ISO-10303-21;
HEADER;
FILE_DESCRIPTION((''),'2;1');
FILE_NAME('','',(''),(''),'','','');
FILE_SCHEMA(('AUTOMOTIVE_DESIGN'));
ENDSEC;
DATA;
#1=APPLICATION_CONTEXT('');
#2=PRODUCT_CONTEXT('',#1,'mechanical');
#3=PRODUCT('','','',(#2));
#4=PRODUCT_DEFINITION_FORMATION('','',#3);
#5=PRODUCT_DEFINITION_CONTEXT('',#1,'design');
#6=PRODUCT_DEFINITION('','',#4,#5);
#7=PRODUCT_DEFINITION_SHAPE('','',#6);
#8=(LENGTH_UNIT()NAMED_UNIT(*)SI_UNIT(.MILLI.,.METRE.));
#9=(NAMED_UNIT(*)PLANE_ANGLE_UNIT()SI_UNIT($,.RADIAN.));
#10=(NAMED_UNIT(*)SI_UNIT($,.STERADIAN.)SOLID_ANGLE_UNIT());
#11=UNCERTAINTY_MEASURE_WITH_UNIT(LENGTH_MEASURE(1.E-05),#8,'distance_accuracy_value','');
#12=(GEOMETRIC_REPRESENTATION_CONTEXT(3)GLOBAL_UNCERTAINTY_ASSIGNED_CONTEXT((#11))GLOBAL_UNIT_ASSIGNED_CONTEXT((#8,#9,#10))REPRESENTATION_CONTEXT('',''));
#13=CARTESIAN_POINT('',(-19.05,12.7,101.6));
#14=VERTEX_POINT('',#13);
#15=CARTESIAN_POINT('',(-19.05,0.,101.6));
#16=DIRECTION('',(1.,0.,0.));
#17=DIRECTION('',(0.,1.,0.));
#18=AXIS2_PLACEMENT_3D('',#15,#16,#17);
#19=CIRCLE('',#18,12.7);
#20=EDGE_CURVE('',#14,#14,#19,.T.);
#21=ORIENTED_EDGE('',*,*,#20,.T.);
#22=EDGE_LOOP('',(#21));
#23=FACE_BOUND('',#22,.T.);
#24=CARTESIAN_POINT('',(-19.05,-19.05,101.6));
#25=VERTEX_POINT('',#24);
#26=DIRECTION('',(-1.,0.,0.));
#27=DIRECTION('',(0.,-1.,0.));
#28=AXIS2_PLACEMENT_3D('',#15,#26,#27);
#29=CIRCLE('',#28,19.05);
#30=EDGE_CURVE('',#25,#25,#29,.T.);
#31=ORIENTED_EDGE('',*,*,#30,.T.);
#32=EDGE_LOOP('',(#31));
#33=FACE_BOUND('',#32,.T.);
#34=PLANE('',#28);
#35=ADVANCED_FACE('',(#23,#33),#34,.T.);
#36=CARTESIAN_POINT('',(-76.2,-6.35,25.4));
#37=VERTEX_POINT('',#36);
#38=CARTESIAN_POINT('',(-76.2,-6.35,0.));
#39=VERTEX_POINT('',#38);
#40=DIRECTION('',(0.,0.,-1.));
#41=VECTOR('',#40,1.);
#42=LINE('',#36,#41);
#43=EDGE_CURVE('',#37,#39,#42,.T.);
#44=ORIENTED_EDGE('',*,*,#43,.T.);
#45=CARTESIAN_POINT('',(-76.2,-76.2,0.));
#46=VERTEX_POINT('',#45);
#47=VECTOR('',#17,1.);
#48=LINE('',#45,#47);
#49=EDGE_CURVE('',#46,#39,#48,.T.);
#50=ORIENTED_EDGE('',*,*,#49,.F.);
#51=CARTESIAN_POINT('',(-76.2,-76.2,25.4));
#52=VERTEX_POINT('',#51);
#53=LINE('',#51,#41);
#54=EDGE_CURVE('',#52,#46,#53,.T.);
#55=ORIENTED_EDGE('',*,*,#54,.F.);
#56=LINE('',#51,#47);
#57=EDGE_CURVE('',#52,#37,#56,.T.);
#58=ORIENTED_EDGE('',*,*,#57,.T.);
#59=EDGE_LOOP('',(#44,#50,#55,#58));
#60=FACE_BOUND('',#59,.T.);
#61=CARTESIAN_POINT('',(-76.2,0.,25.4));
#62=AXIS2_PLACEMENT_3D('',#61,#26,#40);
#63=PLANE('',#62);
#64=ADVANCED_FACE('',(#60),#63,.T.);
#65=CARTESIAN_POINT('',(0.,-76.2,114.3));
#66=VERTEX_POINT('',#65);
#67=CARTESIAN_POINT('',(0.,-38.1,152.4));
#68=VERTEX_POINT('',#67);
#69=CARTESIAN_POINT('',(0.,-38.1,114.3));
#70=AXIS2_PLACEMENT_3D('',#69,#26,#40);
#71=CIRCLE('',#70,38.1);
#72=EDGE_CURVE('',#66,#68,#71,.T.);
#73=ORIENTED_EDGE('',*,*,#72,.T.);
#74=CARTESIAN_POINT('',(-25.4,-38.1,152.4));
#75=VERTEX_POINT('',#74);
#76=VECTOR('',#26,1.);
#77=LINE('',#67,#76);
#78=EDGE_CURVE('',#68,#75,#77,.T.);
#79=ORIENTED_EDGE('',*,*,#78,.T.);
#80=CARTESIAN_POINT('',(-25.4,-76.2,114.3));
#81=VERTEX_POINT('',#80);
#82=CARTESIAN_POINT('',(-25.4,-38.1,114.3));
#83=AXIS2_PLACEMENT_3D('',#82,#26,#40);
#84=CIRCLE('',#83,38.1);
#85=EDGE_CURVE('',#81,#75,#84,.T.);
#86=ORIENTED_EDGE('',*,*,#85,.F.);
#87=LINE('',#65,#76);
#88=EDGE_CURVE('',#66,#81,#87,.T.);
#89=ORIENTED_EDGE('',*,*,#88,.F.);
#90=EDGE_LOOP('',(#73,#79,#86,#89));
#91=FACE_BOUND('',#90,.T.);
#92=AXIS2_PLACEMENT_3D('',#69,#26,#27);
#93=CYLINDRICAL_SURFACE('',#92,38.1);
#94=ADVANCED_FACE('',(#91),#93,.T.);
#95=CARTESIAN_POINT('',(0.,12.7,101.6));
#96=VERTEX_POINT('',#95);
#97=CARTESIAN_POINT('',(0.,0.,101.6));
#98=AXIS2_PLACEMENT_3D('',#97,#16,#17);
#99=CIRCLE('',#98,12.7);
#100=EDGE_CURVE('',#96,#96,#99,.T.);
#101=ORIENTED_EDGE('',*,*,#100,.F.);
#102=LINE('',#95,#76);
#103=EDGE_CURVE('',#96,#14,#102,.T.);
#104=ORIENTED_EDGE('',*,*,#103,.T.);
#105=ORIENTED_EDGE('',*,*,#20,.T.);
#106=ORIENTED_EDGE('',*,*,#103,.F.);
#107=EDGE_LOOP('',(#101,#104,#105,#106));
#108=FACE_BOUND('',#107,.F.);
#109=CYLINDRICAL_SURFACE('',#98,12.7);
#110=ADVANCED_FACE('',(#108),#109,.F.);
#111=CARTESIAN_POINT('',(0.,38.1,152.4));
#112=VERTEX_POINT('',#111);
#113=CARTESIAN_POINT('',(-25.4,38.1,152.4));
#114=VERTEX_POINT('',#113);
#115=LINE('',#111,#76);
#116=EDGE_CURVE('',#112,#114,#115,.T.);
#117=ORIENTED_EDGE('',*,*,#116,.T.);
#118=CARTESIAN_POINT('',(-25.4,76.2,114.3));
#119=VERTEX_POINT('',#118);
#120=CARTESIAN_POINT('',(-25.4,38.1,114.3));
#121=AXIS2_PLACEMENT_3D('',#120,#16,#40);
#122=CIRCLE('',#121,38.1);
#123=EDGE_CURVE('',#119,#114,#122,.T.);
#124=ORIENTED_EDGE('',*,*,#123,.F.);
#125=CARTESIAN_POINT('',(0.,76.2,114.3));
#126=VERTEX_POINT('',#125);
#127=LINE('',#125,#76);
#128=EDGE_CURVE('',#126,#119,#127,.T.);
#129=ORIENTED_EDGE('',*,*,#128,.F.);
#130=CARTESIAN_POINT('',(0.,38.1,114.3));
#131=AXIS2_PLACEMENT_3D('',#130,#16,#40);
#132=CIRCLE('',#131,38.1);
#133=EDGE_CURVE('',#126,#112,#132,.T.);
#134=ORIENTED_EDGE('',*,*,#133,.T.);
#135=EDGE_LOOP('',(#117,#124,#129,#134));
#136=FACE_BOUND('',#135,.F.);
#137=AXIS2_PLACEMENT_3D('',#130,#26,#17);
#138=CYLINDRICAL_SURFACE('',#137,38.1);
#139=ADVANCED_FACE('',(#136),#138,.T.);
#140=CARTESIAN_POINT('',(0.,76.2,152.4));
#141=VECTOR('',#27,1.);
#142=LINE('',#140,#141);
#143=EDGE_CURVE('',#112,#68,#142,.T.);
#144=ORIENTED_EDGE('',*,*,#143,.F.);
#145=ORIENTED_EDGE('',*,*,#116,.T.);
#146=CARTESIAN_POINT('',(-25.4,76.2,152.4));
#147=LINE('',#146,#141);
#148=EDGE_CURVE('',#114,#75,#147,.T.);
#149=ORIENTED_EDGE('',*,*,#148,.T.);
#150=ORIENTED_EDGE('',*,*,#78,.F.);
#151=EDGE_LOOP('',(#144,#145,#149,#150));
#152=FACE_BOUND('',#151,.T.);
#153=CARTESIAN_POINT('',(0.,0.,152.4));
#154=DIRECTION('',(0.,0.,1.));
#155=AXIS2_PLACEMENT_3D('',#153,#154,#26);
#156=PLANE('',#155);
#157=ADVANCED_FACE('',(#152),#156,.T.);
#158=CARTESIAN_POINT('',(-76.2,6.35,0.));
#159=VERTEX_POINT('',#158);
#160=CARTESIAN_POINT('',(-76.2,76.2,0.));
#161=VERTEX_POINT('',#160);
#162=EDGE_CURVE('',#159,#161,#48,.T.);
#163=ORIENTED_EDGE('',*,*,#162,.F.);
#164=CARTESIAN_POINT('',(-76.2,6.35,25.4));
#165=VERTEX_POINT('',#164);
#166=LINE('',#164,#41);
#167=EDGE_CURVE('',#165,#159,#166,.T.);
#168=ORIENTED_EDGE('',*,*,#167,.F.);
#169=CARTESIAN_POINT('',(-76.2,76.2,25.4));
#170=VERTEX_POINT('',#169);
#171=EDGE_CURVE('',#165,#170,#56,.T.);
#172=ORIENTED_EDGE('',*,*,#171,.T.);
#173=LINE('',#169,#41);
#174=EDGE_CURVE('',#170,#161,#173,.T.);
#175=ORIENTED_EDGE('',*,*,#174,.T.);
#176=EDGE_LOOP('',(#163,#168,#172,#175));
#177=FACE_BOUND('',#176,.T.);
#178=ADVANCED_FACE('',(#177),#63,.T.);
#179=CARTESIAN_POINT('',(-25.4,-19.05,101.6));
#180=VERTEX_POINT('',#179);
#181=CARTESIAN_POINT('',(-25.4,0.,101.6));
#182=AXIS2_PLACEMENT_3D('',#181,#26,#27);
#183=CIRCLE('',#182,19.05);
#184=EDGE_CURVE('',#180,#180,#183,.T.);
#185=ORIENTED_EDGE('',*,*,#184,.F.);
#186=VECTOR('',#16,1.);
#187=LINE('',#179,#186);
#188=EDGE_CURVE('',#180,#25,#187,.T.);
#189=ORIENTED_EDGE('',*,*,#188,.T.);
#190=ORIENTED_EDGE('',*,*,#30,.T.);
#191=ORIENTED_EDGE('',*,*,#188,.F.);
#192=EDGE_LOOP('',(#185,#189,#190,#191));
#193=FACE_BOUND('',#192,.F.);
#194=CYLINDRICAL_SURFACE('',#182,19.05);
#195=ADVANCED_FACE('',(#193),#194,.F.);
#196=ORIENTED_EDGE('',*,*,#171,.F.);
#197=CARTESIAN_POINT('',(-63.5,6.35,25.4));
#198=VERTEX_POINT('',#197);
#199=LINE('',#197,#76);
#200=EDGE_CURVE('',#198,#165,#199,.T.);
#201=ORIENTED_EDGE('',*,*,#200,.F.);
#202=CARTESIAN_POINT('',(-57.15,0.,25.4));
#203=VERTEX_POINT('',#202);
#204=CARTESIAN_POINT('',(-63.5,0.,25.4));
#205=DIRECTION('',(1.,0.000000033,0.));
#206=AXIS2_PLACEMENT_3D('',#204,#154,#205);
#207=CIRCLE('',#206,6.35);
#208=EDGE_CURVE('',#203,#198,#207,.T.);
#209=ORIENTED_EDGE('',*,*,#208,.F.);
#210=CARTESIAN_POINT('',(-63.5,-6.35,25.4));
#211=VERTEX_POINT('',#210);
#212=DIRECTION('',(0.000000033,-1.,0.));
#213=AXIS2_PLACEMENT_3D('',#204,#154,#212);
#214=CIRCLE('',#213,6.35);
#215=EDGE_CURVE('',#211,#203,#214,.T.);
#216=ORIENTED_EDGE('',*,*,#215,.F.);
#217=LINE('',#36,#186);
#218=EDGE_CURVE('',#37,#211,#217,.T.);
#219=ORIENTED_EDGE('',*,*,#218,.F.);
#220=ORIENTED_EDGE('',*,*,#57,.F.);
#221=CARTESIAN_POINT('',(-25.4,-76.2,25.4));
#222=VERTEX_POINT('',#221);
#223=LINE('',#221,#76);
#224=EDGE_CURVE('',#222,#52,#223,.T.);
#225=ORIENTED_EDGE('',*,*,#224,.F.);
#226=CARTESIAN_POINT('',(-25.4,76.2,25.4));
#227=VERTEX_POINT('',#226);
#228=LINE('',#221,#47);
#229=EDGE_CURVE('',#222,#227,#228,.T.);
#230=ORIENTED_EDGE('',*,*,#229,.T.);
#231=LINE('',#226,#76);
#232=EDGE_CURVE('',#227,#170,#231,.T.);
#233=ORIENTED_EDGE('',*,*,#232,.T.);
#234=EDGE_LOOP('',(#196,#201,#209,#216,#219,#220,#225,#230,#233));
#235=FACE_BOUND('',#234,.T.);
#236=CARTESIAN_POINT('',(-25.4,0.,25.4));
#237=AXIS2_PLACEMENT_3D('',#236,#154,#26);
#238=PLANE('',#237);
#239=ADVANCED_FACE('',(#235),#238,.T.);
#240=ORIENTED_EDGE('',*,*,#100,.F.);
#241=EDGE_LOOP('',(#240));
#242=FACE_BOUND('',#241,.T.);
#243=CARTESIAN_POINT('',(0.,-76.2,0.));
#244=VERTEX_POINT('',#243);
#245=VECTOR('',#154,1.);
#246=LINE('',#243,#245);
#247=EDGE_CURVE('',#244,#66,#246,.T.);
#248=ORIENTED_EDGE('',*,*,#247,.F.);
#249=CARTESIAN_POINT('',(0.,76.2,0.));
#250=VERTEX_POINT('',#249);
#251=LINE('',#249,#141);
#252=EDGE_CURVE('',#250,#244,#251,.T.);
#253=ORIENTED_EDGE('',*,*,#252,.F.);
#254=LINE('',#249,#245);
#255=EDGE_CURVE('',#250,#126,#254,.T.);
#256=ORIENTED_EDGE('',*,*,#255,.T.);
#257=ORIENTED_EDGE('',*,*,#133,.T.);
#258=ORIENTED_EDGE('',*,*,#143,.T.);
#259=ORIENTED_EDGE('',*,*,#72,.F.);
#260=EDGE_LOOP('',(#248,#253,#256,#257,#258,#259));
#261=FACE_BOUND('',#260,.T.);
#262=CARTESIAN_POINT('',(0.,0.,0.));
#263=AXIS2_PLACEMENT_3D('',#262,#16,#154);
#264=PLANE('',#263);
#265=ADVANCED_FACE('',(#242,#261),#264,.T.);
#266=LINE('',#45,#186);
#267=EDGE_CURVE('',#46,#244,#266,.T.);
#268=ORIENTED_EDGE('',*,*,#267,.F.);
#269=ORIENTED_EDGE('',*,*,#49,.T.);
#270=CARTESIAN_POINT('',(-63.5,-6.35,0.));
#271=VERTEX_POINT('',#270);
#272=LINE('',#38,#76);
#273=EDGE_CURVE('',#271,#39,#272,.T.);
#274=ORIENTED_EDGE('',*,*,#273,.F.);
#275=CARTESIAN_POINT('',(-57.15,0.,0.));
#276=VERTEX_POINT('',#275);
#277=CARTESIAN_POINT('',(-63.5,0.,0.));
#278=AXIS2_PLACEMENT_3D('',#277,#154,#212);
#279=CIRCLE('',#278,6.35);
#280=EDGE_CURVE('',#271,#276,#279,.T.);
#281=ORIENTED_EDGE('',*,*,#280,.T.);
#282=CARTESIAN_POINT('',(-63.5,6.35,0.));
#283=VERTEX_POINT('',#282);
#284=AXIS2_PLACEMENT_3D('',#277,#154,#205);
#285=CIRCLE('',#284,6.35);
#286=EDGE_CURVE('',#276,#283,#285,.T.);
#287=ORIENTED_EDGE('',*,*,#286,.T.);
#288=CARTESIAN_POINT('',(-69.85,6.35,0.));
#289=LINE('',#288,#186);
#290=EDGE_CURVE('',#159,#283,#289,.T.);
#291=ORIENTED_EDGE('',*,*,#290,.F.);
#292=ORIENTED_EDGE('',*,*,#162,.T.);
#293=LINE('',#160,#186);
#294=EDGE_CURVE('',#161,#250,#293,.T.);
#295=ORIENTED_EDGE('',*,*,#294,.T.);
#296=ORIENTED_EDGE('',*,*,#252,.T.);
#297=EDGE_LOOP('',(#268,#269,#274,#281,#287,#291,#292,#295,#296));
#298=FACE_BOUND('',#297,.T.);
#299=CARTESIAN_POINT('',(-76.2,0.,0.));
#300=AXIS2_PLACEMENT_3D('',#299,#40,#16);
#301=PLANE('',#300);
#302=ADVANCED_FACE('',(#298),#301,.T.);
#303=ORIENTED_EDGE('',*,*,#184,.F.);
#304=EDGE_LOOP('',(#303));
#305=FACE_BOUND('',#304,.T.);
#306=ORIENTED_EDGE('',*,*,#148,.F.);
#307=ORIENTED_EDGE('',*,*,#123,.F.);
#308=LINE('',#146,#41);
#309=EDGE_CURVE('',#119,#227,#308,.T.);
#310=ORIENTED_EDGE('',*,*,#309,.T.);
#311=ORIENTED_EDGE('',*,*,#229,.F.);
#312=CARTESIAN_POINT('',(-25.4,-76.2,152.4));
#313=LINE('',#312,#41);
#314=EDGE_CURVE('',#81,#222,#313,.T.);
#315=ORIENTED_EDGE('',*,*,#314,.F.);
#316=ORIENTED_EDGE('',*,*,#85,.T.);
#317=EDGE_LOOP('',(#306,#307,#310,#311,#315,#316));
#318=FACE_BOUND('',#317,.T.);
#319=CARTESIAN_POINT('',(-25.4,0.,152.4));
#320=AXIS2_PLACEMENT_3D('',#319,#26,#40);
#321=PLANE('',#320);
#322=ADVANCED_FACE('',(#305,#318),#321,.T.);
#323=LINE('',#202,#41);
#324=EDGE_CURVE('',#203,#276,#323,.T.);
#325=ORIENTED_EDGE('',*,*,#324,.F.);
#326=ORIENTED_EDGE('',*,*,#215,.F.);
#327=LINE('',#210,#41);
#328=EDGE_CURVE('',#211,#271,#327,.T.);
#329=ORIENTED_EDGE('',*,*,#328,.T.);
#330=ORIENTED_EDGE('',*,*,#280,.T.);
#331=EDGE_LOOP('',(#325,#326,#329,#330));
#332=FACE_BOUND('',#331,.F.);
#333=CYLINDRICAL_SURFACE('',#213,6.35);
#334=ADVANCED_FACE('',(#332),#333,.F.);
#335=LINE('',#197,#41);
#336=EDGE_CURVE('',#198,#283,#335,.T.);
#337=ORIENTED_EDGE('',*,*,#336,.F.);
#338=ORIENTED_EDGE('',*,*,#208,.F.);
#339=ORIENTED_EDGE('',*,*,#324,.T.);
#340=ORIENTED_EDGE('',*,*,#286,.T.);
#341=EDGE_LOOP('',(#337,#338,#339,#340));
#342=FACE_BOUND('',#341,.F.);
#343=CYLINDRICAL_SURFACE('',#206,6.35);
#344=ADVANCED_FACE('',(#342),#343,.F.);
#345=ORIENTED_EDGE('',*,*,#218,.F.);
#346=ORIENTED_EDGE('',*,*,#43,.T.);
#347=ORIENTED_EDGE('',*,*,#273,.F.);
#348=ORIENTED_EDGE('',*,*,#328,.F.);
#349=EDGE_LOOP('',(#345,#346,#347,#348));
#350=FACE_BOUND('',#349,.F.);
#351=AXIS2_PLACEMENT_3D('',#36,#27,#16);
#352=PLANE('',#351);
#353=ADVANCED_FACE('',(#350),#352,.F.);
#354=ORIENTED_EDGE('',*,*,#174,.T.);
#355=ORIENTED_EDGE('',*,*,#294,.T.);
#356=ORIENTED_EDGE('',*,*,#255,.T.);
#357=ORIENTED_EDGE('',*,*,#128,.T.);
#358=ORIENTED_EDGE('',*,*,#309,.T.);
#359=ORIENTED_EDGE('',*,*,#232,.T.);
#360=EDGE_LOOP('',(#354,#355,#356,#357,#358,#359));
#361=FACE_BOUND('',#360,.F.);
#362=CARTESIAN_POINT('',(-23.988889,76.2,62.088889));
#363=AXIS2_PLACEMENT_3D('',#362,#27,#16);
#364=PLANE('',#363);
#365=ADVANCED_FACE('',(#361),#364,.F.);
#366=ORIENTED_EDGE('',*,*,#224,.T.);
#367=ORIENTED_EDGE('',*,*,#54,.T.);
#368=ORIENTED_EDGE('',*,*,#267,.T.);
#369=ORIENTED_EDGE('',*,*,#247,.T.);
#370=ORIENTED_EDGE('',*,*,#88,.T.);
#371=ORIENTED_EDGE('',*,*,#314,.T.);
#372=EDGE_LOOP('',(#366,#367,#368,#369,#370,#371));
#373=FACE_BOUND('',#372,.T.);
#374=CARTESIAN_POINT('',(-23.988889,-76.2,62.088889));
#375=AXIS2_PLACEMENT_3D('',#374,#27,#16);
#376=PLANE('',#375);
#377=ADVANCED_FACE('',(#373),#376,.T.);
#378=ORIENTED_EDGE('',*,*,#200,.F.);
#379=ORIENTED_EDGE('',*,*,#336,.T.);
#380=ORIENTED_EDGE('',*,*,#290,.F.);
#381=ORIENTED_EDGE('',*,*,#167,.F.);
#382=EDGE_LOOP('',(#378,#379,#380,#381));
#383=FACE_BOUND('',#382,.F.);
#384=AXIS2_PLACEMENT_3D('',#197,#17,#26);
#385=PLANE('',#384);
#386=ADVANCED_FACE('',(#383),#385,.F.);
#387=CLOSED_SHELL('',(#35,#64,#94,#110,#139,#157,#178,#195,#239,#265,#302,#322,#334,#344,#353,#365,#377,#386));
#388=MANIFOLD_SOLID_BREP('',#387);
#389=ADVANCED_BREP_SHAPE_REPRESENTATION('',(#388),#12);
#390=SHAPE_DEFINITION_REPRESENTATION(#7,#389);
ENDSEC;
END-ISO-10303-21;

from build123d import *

# Parameters (mm, degrees)
F1_DEPTH = 76.2
F2_R     = 12.7
F3_DEPTH = 76.201
F5_DEPTH = 25.401
F6_R     = 38.1
F7_R     = 19.05
F8_DEPTH = 6.35


with BuildPart() as f1:
    # F0 (on Front) → F1 (new body, symmetric)
    with BuildSketch(Plane.XZ):
        Polygon((-76.2, 0), (0, 0), (0, 152.4), (-25.4, 152.4), (-25.4, 25.4), (-76.2, 25.4), align=None)
    extrude(amount=F1_DEPTH, both=True)

    # F2 (on face) → F3 (cut, through all)
    with BuildSketch(Plane.YZ):
        with Locations((0, 101.6)):
            Circle(F2_R)
    extrude(amount=-F3_DEPTH, mode=Mode.SUBTRACT)

    # F4 (on face) → F5 (cut, through all)
    with BuildSketch(Plane.XY.offset(25.4)):
        with BuildLine():
            ThreePointArc((-63.5, -6.35), (-59.009872, -4.490128), (-57.15, 0))
            ThreePointArc((-57.15, 0), (-59.009872, 4.490128), (-63.5, 6.35))
            ThreePointArc((-63.5, 6.35), (-69.85, 0), (-63.5, -6.35))
        make_face()
        with BuildLine():
            ThreePointArc((-63.5, -6.35), (-69.85, 0), (-63.5, 6.35))
            Line((-63.5, 6.35), (-76.2, 6.35))
            Line((-76.2, 6.35), (-76.2, -6.35))
            Line((-76.2, -6.35), (-63.5, -6.35))
        make_face()
    extrude(amount=-F5_DEPTH, mode=Mode.SUBTRACT)

    # F6
    f6_edges = [f1.edges().sort_by_distance(p)[0] for p in [
        (-12.7, -76.2, 152.4),
        (-12.7, 76.2, 152.4),
    ]]
    fillet(f6_edges, radius=F6_R)

    # F7 (on face) → F8 (cut)
    with BuildSketch(Plane(origin=(-25.4, 0, 0), x_dir=(0, -1, 0), z_dir=(-1, 0, 0))):
        with Locations((0, 101.6)):
            Circle(F7_R)
    extrude(amount=-F8_DEPTH, mode=Mode.SUBTRACT)


solid = f1.part
